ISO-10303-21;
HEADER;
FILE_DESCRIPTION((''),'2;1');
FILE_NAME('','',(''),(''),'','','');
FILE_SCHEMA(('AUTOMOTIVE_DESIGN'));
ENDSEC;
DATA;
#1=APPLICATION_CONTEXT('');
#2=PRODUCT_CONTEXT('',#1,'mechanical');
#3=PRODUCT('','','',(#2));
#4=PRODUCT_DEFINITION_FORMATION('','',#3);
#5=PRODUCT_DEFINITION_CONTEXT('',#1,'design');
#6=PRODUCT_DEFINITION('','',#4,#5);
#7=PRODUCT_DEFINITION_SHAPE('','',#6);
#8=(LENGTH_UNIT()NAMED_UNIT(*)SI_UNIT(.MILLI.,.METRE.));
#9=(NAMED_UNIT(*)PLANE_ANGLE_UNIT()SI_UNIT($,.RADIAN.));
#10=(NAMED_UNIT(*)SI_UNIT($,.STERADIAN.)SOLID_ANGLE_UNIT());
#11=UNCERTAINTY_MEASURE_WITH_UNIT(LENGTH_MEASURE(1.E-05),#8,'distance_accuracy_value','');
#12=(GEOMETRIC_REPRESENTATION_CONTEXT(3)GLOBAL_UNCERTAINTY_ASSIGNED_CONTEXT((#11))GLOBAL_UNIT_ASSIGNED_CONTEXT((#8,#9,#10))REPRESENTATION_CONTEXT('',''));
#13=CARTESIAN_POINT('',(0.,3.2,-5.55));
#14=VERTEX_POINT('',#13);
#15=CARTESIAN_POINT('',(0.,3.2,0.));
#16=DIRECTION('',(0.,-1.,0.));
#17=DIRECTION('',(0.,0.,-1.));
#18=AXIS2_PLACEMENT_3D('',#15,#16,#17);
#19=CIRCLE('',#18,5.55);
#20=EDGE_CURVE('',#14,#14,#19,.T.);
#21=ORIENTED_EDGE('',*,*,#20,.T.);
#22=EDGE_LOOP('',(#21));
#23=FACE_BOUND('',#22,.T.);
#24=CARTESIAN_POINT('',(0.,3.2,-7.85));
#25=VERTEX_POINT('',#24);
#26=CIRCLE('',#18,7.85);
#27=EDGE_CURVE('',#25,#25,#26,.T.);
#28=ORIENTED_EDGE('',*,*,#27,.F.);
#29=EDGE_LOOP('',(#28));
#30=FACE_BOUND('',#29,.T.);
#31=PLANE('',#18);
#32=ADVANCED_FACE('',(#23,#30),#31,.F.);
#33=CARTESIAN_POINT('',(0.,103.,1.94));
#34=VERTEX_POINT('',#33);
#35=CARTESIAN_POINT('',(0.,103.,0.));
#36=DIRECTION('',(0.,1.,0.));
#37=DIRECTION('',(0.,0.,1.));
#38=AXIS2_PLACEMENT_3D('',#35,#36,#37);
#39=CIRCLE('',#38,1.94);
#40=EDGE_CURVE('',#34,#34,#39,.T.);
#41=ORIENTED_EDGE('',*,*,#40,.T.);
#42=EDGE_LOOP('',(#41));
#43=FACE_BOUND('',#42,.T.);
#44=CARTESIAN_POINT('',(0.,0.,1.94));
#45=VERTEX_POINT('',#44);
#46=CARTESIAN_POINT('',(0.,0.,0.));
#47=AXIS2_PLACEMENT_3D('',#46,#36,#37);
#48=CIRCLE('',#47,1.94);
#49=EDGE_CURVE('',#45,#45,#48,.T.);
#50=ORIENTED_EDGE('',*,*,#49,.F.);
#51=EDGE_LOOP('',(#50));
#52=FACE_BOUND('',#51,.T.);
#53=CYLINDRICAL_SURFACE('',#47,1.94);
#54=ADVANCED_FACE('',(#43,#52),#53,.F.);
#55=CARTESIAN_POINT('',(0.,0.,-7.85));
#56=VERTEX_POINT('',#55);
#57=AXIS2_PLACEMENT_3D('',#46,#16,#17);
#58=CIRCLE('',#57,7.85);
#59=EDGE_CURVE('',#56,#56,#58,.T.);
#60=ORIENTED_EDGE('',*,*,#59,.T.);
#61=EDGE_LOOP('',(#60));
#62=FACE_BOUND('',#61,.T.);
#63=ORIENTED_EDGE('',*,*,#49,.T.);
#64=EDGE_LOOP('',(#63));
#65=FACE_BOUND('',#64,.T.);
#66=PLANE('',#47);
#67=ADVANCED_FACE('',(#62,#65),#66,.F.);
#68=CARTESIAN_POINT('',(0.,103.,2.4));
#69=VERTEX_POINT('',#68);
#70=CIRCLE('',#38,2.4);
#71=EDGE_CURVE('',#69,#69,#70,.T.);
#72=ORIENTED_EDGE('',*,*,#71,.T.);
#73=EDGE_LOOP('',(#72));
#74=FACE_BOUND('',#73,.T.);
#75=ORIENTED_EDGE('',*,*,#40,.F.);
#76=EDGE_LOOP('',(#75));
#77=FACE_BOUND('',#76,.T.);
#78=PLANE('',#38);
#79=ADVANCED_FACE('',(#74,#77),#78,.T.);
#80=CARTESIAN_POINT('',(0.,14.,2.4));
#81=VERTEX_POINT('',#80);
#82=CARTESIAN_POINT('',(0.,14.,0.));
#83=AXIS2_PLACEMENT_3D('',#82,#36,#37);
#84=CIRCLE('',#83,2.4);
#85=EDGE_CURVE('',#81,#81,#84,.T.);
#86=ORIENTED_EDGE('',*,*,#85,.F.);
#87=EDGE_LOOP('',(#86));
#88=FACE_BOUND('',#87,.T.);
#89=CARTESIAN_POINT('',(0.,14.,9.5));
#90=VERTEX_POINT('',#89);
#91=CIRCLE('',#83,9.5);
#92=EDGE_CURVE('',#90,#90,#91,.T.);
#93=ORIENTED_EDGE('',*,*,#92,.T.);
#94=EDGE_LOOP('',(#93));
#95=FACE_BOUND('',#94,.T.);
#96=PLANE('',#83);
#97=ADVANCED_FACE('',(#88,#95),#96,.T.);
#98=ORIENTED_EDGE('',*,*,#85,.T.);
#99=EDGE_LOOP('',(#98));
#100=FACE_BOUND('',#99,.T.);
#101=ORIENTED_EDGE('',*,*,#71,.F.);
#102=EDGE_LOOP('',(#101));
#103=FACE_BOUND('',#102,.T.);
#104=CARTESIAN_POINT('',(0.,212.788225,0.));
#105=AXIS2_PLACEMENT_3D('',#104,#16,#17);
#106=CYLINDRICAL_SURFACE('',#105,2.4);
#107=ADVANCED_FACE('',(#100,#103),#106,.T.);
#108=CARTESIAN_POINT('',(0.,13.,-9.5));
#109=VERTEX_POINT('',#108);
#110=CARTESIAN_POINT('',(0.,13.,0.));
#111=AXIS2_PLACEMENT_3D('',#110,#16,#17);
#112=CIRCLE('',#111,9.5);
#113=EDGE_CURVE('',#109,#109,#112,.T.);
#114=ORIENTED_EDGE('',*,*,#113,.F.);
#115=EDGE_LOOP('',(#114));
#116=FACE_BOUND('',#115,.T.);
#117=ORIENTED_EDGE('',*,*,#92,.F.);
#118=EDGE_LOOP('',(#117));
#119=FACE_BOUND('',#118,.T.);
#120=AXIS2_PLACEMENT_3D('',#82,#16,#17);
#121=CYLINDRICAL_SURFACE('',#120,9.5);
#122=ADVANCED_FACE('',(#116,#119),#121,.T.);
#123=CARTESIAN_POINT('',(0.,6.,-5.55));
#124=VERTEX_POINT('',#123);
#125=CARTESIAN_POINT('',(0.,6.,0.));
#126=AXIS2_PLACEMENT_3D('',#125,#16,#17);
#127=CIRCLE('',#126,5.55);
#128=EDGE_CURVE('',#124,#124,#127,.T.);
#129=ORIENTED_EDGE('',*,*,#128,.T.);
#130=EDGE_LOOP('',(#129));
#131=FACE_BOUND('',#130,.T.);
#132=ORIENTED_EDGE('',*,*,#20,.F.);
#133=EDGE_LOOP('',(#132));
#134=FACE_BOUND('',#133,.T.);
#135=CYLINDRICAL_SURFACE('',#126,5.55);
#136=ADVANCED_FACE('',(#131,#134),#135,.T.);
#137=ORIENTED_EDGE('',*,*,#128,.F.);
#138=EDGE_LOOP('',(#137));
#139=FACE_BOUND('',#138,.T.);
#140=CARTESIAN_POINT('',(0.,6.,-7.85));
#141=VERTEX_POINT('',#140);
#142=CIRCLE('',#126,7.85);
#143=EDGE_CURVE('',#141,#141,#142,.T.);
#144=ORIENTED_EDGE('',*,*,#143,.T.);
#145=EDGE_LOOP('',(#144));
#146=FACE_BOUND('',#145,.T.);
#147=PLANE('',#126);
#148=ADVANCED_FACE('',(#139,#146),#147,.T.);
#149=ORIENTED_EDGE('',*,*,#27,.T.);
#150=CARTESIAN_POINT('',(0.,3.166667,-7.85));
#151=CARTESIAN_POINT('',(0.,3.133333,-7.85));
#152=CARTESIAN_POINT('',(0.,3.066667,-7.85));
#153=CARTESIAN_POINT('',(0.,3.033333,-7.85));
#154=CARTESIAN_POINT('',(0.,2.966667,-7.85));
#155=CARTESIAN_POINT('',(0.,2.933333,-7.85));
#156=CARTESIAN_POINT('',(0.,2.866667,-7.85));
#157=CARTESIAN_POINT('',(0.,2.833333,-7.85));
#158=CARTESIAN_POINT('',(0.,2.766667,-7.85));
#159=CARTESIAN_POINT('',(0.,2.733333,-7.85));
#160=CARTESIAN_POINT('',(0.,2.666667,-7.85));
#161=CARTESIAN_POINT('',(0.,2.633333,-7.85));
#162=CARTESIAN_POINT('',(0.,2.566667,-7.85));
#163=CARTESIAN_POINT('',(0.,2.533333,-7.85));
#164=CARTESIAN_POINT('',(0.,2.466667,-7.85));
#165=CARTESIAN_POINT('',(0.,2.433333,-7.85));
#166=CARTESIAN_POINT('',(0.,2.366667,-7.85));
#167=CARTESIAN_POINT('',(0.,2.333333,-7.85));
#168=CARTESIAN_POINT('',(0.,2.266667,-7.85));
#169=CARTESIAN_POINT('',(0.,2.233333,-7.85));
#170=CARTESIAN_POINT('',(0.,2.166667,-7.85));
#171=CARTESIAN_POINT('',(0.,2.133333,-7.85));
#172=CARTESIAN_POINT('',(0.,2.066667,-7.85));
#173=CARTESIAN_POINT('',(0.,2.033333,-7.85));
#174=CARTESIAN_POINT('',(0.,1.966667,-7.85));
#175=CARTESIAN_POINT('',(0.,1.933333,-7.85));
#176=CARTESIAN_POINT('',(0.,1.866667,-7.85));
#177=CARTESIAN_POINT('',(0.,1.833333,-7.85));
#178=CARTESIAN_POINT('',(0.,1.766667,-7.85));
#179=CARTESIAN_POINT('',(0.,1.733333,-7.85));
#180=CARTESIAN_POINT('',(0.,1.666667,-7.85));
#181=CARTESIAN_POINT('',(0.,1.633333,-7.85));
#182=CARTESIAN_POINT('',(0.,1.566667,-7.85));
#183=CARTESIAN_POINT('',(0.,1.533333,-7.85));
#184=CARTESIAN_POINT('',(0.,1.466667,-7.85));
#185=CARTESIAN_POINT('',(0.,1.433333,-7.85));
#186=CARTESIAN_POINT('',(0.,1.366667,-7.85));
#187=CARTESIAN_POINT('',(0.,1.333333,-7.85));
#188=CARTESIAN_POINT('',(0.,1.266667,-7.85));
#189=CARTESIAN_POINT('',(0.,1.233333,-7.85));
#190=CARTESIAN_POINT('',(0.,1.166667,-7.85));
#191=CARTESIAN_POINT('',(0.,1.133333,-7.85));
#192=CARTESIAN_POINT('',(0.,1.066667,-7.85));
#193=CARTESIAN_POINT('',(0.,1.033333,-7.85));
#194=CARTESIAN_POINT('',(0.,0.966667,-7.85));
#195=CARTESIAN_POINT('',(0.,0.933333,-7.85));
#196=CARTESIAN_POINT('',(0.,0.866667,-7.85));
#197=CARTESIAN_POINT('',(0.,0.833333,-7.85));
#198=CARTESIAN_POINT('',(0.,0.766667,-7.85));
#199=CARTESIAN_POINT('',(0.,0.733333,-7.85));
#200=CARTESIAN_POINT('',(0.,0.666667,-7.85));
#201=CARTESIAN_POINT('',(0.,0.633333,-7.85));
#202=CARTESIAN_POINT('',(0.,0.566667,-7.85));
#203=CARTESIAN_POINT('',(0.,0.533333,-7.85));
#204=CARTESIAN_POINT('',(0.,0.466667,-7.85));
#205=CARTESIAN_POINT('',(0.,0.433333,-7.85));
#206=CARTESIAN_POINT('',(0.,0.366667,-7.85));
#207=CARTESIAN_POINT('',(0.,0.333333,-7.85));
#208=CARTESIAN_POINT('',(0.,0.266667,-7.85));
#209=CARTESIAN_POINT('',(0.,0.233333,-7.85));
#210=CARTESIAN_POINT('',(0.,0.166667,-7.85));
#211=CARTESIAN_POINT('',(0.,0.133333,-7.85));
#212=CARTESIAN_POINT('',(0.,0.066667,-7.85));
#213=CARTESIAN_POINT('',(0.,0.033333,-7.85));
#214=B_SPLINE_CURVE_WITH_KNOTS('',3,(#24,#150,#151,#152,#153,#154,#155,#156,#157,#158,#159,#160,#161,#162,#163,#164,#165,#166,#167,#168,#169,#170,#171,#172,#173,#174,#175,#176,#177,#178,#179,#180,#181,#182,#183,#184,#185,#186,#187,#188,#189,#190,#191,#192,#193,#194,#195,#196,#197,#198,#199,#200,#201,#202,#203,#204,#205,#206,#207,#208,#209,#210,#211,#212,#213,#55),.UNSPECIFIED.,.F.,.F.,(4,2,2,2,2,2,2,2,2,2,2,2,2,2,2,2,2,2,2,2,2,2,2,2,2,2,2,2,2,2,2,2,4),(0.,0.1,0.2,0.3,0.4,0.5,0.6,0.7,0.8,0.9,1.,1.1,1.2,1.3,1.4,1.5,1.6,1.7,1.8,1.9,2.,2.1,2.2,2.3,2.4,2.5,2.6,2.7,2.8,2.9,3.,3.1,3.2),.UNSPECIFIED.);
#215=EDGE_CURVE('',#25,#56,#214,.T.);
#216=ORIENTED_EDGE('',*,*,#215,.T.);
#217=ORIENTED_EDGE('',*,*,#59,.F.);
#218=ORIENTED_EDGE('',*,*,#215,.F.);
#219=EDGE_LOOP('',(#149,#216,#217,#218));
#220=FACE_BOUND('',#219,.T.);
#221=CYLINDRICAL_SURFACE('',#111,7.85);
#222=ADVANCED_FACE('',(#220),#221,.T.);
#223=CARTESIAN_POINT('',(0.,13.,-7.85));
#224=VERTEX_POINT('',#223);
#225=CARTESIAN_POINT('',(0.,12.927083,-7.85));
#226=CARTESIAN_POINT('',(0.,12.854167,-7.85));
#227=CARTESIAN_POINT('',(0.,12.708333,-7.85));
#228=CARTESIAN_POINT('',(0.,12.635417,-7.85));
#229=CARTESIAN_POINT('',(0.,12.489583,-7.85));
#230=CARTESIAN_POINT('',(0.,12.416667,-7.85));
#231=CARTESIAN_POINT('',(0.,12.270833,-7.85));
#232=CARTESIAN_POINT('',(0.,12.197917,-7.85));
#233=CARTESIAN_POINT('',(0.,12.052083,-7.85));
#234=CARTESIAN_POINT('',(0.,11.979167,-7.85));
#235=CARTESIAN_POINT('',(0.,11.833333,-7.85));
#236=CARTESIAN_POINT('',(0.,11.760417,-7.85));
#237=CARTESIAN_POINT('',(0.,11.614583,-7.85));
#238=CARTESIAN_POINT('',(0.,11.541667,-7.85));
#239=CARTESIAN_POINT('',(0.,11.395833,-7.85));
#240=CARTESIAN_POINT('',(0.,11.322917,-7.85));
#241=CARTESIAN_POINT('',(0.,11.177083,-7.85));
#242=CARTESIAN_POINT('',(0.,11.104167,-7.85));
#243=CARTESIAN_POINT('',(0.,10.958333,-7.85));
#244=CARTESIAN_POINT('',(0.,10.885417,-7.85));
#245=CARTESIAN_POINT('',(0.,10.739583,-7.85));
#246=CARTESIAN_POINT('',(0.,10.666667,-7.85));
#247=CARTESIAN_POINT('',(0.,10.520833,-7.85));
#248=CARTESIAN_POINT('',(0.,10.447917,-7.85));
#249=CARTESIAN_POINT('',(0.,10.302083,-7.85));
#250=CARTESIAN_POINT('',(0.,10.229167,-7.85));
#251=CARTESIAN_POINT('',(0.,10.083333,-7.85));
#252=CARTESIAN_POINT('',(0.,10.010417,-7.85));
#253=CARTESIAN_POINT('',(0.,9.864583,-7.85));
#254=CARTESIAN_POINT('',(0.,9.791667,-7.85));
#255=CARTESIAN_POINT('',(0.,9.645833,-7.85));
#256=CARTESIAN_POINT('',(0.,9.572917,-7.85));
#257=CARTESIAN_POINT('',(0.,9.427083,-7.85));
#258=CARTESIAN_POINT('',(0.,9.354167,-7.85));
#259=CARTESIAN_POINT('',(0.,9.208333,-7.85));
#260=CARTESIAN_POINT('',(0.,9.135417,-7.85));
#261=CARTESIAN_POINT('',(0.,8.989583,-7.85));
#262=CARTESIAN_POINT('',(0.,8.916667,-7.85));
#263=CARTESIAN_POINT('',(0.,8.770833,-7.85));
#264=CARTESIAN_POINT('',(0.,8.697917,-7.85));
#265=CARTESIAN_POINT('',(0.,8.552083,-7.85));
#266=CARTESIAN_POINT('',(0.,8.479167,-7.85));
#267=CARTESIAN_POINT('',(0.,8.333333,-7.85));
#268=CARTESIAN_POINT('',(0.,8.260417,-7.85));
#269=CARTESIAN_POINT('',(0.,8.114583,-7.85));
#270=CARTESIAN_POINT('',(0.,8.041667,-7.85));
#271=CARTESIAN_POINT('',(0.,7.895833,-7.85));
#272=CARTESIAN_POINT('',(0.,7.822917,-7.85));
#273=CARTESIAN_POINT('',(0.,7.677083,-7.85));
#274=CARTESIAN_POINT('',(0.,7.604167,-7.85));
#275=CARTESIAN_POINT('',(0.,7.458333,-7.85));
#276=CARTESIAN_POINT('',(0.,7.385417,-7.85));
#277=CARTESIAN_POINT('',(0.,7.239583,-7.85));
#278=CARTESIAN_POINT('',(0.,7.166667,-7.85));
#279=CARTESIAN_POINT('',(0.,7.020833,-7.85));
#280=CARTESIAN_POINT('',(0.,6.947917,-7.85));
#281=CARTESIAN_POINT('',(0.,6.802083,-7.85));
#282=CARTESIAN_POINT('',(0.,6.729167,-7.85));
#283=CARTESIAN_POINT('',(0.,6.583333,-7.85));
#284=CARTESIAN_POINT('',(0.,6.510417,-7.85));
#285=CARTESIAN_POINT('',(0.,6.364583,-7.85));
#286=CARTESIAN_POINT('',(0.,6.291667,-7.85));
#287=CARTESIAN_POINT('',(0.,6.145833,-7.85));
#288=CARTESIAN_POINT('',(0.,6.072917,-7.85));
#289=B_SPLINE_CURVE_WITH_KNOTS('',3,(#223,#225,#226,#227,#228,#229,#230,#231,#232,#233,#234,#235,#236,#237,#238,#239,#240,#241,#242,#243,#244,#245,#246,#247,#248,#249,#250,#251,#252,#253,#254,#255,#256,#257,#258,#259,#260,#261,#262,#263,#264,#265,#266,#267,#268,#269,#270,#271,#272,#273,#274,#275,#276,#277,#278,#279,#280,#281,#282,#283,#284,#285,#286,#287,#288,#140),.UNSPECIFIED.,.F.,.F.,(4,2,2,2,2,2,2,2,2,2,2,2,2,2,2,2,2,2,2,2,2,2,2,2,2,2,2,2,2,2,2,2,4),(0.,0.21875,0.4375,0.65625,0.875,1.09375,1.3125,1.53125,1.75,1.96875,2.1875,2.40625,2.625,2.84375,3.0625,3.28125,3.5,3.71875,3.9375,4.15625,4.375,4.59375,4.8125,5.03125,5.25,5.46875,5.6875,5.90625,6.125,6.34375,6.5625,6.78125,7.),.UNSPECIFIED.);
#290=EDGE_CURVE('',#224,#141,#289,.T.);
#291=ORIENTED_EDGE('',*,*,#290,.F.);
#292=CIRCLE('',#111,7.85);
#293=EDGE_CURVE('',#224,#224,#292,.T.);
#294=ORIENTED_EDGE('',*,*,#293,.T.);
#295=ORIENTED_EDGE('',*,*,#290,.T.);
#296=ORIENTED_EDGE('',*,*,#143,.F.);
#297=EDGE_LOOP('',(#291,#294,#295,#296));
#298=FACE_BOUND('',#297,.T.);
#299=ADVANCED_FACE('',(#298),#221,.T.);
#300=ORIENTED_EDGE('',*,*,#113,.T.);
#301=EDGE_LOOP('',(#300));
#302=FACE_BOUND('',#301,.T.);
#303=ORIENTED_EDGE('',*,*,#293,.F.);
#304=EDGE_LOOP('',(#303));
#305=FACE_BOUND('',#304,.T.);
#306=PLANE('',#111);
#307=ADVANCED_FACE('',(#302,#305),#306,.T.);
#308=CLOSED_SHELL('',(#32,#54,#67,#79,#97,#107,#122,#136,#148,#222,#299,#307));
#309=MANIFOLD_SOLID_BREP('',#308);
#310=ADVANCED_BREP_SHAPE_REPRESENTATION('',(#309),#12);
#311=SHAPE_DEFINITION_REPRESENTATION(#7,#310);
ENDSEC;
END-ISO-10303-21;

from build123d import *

# Parameters (mm, degrees)
SKETCH1_R           = 9.5
BOSS_EXTRUDE1_DEPTH = 14
SKETCH2_R           = 2.4
BOSS_EXTRUDE2_DEPTH = 89
SKETCH3_R           = 1.94
CUT_EXTRUDE1_DEPTH  = 104.872518021
SKETCH4_R           = 9.5
SKETCH4_R_2         = 7.85
CUT_EXTRUDE2_DEPTH  = 13
CUT_EXTRUDE3_START  = -3.2
SKETCH5_R           = 7.85
SKETCH5_R_2         = 5.55
CUT_EXTRUDE3_DEPTH  = 2.8


with BuildPart() as part:
    # Sketch1 → Boss-Extrude1 (new body)
    with BuildSketch(Plane(origin=(0, 0, 0), x_dir=(1, 0, 0), z_dir=(0, 1, 0))):
        with Locations(Location((0, 0, 0), (0, 0, 270))):
            Circle(SKETCH1_R)
    extrude(amount=BOSS_EXTRUDE1_DEPTH)

    # Sketch2 → Boss-Extrude2 (add)
    with BuildSketch(Plane(origin=(0, 14, 0), x_dir=(1, 0, 0), z_dir=(0, 1, 0))):
        with Locations(Location((0, 0, 0), (0, 0, 270))):
            Circle(SKETCH2_R)
    extrude(amount=BOSS_EXTRUDE2_DEPTH)

    # Sketch3 → Cut-Extrude1 (cut, through all)
    with BuildSketch(Plane(origin=(0, 103, 0), x_dir=(1, 0, 0), z_dir=(0, 1, 0))):
        with Locations(Location((0, 0, 0), (0, 0, 270))):
            Circle(SKETCH3_R)
    extrude(amount=-CUT_EXTRUDE1_DEPTH, mode=Mode.SUBTRACT)

    # Sketch4 → Cut-Extrude2 (cut)
    with BuildSketch(Plane.XZ):
        with Locations(Location((0, 0, 0), (0, 0, 270))):
            Circle(SKETCH4_R)
        with Locations(Location((0, 0, 0), (0, 0, 270))):
            Circle(SKETCH4_R_2, mode=Mode.SUBTRACT)
    extrude(amount=-CUT_EXTRUDE2_DEPTH, mode=Mode.SUBTRACT)

    # Sketch5 → Cut-Extrude3 (cut)
    with BuildSketch(Plane.XZ.offset(CUT_EXTRUDE3_START)):
        with Locations(Location((0, 0, 0), (0, 0, 270))):
            Circle(SKETCH5_R)
        with Locations(Location((0, 0, 0), (0, 0, 270))):
            Circle(SKETCH5_R_2, mode=Mode.SUBTRACT)
    extrude(amount=-CUT_EXTRUDE3_DEPTH, mode=Mode.SUBTRACT)


solid = part.part
